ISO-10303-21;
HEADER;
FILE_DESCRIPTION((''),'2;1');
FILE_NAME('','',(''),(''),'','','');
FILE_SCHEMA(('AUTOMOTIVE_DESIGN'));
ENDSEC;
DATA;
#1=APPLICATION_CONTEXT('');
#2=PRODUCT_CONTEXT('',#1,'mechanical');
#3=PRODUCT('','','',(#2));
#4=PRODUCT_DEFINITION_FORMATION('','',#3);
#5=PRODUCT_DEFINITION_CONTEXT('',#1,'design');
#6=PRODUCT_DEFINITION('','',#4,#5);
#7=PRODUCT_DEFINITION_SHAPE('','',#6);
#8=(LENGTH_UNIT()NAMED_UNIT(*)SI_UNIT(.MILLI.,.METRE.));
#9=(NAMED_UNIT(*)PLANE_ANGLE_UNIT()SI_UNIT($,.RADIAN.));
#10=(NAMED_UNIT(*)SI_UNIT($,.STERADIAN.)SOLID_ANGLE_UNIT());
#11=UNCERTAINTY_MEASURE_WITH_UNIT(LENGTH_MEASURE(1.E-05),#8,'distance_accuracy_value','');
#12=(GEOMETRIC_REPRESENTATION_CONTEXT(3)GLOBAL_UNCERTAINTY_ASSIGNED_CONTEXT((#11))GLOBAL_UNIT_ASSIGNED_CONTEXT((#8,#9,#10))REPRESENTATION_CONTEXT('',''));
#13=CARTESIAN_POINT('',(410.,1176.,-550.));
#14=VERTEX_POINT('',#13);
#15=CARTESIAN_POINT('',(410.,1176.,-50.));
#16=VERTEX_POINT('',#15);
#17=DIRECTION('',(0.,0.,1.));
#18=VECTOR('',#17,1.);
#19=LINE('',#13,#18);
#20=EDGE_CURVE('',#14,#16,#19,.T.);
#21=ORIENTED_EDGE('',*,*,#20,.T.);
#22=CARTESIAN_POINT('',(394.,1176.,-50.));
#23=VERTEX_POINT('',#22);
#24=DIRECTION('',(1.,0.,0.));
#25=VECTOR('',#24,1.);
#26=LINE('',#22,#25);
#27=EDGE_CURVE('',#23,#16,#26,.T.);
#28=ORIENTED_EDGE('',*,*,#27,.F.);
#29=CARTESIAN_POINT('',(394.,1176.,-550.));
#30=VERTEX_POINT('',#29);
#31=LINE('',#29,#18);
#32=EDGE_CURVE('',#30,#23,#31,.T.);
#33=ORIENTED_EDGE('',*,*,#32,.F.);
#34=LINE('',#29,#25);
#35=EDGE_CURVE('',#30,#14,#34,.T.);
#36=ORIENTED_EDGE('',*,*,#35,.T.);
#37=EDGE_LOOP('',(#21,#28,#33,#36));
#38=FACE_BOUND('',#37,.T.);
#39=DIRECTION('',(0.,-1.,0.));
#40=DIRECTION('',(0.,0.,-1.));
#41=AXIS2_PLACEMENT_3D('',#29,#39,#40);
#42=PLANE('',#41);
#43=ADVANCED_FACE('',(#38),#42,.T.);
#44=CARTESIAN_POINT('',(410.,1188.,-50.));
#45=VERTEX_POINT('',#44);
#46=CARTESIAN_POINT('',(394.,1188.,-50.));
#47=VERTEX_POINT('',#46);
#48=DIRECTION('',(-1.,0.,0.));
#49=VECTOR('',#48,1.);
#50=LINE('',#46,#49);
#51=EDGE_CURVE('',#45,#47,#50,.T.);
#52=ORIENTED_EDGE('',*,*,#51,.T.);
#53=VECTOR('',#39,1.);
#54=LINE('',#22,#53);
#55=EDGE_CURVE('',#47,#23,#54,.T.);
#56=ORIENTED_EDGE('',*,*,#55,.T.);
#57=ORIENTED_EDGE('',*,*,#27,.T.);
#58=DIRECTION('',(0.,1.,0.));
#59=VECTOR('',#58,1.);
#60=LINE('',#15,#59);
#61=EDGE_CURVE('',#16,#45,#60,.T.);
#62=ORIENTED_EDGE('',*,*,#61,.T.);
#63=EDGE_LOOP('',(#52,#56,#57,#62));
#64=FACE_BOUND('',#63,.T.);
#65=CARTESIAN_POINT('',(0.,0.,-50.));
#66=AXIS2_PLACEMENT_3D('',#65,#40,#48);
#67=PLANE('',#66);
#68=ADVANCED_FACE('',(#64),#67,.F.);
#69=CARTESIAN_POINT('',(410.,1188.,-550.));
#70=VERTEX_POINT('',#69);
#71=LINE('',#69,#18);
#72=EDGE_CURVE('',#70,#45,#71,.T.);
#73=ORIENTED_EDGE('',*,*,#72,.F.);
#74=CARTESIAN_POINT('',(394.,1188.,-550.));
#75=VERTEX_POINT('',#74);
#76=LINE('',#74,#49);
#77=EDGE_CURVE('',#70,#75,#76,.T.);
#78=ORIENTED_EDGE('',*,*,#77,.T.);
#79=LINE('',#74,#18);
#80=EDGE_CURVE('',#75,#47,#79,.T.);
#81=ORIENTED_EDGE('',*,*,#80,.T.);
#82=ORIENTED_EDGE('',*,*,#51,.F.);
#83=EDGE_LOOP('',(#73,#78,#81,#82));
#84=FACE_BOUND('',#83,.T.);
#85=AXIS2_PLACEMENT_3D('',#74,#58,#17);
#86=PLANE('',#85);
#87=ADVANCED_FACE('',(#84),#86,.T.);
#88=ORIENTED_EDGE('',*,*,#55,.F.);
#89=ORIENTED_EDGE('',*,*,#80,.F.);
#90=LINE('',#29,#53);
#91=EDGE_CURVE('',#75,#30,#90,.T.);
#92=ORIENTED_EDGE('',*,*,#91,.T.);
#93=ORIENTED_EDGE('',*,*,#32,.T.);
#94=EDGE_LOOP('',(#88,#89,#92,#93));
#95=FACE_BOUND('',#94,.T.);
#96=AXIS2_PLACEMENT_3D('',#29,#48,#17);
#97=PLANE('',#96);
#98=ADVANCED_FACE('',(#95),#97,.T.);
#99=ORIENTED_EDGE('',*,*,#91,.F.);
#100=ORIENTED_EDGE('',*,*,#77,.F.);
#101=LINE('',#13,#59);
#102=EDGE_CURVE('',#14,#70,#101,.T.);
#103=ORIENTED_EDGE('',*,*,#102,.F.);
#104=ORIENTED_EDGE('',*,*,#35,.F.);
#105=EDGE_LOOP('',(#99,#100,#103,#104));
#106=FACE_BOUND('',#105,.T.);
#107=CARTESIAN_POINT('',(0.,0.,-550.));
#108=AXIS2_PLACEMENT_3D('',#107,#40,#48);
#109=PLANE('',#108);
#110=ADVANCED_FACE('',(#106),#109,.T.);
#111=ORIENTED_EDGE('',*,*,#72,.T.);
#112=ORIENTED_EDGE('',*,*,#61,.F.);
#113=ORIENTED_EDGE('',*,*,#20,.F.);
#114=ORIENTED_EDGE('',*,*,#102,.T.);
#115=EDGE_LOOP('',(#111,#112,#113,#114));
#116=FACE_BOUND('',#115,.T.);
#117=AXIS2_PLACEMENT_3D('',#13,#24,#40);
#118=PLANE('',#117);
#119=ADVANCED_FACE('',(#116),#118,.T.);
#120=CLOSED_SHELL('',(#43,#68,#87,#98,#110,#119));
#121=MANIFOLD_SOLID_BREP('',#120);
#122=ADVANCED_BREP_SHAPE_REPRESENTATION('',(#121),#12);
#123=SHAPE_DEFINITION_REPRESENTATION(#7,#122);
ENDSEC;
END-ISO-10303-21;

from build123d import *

# Parameters (mm, degrees)
PRESS_UC_CATAL_LAMA_2_1_START = -50
SKETCH1_W                     = 16
SKETCH1_H                     = 12
PRESS_UC_CATAL_LAMA_2_1_DEPTH = 500


with BuildPart() as part:
    # Sketch1 → PRESS_uc_catal_lama_2_1 (new body)
    with BuildSketch(Plane.XY.offset(PRESS_UC_CATAL_LAMA_2_1_START)):
        with Locations((402, 1182)):
            Rectangle(SKETCH1_W, SKETCH1_H)
    extrude(amount=-PRESS_UC_CATAL_LAMA_2_1_DEPTH)


solid = part.part
